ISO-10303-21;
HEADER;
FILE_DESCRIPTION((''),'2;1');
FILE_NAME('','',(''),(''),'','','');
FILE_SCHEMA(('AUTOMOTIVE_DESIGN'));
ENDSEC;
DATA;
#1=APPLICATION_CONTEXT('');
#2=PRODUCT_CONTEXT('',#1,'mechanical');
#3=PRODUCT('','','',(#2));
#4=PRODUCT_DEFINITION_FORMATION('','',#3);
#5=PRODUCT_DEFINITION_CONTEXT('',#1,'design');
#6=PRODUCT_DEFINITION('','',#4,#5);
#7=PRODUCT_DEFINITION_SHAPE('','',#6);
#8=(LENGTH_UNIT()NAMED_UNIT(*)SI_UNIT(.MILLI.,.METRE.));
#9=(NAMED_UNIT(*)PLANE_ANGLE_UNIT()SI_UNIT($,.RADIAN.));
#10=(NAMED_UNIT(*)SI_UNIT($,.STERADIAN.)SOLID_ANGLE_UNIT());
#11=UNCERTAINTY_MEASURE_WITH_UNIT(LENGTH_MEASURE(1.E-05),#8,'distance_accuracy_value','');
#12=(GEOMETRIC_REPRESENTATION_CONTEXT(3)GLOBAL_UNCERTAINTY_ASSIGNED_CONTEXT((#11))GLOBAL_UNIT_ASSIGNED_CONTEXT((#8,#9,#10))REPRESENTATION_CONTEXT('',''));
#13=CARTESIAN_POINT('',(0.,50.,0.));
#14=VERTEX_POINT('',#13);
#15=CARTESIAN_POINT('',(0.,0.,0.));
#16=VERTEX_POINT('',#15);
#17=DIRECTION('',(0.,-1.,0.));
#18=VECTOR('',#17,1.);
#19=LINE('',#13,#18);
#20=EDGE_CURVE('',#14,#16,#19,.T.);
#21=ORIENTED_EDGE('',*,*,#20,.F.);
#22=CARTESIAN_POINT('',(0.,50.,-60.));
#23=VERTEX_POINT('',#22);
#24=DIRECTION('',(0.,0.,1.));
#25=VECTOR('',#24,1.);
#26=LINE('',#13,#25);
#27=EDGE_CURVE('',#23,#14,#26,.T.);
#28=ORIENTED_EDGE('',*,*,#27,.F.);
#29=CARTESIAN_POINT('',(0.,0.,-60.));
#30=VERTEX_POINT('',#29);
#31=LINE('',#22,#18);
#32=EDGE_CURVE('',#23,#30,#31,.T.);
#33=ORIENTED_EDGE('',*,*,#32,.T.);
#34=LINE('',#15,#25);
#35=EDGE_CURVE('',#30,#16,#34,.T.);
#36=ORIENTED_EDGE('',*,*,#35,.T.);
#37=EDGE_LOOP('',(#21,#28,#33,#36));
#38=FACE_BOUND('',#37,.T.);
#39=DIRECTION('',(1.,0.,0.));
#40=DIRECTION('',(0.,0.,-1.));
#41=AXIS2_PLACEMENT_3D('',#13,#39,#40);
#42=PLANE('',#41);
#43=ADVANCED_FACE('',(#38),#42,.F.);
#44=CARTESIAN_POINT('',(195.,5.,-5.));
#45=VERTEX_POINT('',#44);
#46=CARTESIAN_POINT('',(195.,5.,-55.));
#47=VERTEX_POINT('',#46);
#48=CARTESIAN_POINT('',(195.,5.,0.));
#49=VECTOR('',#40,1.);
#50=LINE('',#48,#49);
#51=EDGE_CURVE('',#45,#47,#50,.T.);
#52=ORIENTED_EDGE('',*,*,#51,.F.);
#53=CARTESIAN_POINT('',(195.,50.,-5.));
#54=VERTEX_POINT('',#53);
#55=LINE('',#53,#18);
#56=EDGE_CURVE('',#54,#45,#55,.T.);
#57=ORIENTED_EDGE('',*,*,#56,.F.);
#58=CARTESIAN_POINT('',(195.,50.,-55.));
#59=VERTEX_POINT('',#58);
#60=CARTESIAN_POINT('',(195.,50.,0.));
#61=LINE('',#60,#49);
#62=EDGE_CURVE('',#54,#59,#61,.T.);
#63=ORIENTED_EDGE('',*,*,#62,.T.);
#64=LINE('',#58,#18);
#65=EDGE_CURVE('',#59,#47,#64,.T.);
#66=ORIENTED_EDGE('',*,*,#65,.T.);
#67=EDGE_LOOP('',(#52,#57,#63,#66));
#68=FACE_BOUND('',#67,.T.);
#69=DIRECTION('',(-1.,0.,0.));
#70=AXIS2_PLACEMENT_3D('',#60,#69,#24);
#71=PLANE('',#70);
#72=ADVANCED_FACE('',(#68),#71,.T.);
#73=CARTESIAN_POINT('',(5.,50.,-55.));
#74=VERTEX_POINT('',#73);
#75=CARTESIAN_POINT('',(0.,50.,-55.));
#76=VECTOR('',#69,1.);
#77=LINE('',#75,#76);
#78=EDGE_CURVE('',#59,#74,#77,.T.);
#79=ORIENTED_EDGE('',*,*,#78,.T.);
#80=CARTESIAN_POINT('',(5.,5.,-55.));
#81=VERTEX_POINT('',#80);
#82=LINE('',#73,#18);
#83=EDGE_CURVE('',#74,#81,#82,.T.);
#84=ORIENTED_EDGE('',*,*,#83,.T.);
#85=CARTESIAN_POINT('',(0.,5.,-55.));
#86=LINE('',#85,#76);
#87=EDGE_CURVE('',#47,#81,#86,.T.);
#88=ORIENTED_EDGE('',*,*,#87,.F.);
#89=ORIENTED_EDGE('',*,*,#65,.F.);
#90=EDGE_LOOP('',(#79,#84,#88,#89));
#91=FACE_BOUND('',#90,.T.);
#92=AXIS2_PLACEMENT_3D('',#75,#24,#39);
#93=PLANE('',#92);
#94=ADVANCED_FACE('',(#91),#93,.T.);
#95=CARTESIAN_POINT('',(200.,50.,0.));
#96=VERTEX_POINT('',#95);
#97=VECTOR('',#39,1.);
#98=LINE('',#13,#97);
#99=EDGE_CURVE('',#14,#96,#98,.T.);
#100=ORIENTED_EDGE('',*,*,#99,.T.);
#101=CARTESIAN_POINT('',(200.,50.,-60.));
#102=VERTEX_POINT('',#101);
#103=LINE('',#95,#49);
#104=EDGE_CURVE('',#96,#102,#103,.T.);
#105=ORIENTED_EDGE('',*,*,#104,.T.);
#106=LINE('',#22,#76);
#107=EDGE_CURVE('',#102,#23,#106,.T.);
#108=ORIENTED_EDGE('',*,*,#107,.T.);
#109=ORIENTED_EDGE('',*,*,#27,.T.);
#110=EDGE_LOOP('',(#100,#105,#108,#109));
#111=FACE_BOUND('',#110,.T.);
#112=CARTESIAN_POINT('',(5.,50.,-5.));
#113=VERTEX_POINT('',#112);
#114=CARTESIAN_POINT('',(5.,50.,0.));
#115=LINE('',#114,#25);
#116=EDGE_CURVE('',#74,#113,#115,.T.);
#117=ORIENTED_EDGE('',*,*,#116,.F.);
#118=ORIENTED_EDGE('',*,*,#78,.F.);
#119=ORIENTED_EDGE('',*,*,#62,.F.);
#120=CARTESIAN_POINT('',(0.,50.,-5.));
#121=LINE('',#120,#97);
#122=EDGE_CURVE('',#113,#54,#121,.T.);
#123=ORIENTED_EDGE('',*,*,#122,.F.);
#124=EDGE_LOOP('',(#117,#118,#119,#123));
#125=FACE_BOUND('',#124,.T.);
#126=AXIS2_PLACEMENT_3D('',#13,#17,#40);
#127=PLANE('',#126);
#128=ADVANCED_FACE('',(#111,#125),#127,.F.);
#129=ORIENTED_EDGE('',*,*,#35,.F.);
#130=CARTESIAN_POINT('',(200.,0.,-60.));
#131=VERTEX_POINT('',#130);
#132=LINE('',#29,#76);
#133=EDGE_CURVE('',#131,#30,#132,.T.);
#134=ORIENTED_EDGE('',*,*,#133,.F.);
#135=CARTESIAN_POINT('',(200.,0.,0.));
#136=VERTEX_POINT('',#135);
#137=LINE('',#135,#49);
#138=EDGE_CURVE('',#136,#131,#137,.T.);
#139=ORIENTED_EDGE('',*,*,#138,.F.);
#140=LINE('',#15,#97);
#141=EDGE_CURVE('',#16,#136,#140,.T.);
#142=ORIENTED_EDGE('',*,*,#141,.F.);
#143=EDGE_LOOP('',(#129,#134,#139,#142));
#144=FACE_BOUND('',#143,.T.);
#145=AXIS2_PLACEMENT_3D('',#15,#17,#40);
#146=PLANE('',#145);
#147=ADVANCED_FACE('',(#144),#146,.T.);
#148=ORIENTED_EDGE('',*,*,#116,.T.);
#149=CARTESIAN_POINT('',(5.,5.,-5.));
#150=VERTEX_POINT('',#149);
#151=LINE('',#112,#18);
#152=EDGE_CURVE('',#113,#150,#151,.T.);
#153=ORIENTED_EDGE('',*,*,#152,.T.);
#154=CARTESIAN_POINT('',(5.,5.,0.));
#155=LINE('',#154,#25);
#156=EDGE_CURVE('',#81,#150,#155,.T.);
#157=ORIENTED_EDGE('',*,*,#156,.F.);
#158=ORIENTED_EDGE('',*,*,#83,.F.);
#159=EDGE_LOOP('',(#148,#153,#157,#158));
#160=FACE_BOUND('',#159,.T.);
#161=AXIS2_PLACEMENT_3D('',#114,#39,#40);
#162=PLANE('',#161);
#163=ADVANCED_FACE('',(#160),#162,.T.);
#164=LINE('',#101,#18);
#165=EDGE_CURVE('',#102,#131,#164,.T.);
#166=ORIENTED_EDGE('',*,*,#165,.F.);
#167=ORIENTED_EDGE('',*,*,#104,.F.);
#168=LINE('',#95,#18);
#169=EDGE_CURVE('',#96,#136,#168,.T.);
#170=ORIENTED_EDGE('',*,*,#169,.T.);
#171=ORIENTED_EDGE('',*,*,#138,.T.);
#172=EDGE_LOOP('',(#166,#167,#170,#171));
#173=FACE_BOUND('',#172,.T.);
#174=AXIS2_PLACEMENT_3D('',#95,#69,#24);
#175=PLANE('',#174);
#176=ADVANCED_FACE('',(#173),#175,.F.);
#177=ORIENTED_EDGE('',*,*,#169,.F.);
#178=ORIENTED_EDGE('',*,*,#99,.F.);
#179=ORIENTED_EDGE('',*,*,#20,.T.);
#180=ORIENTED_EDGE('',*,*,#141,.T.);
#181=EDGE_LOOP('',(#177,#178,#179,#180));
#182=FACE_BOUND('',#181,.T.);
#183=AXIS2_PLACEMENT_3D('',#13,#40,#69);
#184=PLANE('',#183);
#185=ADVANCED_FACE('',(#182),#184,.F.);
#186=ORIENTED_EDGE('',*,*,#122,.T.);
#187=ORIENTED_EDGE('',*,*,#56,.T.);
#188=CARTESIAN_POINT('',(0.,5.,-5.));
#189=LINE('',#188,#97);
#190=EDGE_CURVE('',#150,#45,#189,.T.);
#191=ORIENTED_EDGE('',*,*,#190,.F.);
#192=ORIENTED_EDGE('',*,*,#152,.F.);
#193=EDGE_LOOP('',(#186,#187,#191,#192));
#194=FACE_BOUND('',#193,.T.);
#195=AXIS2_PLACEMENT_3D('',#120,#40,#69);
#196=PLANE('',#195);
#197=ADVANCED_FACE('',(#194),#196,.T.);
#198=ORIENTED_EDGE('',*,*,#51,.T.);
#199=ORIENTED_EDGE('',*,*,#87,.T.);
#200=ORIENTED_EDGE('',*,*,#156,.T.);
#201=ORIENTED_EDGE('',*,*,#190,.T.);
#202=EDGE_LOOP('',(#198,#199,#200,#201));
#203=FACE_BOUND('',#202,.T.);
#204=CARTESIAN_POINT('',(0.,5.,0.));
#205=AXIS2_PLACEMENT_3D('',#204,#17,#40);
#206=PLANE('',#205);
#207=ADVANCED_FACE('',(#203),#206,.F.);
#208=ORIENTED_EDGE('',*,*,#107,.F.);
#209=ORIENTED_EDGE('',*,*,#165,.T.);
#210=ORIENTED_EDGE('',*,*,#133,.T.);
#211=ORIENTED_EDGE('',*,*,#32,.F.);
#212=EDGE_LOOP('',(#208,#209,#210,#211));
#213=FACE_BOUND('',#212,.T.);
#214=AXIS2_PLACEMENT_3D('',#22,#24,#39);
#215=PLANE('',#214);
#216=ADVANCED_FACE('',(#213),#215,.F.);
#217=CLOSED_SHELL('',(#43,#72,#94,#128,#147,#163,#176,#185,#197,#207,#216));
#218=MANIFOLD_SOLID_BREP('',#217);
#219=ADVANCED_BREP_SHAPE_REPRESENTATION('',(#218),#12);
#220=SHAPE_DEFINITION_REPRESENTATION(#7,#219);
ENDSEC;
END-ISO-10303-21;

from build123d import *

# Parameters (mm, degrees)
SKETCH1_W           = 200
SKETCH1_H           = 60
BOSS_EXTRUDE1_DEPTH = 50
SHELL1_T            = -5


with BuildPart() as part:
    # Sketch1 → Boss-Extrude1 (new body)
    with BuildSketch(Plane(origin=(0, 0, 0), x_dir=(1, 0, 0), z_dir=(0, 1, 0))):
        with Locations((100, 30)):
            Rectangle(SKETCH1_W, SKETCH1_H)
    extrude(amount=BOSS_EXTRUDE1_DEPTH)

    # Shell1
    shell1_openings = [part.faces().sort_by_distance(p)[0] for p in [
        (100, 50, -30),
    ]]
    offset(amount=SHELL1_T, openings=shell1_openings, kind=Kind.INTERSECTION)


solid = part.part
